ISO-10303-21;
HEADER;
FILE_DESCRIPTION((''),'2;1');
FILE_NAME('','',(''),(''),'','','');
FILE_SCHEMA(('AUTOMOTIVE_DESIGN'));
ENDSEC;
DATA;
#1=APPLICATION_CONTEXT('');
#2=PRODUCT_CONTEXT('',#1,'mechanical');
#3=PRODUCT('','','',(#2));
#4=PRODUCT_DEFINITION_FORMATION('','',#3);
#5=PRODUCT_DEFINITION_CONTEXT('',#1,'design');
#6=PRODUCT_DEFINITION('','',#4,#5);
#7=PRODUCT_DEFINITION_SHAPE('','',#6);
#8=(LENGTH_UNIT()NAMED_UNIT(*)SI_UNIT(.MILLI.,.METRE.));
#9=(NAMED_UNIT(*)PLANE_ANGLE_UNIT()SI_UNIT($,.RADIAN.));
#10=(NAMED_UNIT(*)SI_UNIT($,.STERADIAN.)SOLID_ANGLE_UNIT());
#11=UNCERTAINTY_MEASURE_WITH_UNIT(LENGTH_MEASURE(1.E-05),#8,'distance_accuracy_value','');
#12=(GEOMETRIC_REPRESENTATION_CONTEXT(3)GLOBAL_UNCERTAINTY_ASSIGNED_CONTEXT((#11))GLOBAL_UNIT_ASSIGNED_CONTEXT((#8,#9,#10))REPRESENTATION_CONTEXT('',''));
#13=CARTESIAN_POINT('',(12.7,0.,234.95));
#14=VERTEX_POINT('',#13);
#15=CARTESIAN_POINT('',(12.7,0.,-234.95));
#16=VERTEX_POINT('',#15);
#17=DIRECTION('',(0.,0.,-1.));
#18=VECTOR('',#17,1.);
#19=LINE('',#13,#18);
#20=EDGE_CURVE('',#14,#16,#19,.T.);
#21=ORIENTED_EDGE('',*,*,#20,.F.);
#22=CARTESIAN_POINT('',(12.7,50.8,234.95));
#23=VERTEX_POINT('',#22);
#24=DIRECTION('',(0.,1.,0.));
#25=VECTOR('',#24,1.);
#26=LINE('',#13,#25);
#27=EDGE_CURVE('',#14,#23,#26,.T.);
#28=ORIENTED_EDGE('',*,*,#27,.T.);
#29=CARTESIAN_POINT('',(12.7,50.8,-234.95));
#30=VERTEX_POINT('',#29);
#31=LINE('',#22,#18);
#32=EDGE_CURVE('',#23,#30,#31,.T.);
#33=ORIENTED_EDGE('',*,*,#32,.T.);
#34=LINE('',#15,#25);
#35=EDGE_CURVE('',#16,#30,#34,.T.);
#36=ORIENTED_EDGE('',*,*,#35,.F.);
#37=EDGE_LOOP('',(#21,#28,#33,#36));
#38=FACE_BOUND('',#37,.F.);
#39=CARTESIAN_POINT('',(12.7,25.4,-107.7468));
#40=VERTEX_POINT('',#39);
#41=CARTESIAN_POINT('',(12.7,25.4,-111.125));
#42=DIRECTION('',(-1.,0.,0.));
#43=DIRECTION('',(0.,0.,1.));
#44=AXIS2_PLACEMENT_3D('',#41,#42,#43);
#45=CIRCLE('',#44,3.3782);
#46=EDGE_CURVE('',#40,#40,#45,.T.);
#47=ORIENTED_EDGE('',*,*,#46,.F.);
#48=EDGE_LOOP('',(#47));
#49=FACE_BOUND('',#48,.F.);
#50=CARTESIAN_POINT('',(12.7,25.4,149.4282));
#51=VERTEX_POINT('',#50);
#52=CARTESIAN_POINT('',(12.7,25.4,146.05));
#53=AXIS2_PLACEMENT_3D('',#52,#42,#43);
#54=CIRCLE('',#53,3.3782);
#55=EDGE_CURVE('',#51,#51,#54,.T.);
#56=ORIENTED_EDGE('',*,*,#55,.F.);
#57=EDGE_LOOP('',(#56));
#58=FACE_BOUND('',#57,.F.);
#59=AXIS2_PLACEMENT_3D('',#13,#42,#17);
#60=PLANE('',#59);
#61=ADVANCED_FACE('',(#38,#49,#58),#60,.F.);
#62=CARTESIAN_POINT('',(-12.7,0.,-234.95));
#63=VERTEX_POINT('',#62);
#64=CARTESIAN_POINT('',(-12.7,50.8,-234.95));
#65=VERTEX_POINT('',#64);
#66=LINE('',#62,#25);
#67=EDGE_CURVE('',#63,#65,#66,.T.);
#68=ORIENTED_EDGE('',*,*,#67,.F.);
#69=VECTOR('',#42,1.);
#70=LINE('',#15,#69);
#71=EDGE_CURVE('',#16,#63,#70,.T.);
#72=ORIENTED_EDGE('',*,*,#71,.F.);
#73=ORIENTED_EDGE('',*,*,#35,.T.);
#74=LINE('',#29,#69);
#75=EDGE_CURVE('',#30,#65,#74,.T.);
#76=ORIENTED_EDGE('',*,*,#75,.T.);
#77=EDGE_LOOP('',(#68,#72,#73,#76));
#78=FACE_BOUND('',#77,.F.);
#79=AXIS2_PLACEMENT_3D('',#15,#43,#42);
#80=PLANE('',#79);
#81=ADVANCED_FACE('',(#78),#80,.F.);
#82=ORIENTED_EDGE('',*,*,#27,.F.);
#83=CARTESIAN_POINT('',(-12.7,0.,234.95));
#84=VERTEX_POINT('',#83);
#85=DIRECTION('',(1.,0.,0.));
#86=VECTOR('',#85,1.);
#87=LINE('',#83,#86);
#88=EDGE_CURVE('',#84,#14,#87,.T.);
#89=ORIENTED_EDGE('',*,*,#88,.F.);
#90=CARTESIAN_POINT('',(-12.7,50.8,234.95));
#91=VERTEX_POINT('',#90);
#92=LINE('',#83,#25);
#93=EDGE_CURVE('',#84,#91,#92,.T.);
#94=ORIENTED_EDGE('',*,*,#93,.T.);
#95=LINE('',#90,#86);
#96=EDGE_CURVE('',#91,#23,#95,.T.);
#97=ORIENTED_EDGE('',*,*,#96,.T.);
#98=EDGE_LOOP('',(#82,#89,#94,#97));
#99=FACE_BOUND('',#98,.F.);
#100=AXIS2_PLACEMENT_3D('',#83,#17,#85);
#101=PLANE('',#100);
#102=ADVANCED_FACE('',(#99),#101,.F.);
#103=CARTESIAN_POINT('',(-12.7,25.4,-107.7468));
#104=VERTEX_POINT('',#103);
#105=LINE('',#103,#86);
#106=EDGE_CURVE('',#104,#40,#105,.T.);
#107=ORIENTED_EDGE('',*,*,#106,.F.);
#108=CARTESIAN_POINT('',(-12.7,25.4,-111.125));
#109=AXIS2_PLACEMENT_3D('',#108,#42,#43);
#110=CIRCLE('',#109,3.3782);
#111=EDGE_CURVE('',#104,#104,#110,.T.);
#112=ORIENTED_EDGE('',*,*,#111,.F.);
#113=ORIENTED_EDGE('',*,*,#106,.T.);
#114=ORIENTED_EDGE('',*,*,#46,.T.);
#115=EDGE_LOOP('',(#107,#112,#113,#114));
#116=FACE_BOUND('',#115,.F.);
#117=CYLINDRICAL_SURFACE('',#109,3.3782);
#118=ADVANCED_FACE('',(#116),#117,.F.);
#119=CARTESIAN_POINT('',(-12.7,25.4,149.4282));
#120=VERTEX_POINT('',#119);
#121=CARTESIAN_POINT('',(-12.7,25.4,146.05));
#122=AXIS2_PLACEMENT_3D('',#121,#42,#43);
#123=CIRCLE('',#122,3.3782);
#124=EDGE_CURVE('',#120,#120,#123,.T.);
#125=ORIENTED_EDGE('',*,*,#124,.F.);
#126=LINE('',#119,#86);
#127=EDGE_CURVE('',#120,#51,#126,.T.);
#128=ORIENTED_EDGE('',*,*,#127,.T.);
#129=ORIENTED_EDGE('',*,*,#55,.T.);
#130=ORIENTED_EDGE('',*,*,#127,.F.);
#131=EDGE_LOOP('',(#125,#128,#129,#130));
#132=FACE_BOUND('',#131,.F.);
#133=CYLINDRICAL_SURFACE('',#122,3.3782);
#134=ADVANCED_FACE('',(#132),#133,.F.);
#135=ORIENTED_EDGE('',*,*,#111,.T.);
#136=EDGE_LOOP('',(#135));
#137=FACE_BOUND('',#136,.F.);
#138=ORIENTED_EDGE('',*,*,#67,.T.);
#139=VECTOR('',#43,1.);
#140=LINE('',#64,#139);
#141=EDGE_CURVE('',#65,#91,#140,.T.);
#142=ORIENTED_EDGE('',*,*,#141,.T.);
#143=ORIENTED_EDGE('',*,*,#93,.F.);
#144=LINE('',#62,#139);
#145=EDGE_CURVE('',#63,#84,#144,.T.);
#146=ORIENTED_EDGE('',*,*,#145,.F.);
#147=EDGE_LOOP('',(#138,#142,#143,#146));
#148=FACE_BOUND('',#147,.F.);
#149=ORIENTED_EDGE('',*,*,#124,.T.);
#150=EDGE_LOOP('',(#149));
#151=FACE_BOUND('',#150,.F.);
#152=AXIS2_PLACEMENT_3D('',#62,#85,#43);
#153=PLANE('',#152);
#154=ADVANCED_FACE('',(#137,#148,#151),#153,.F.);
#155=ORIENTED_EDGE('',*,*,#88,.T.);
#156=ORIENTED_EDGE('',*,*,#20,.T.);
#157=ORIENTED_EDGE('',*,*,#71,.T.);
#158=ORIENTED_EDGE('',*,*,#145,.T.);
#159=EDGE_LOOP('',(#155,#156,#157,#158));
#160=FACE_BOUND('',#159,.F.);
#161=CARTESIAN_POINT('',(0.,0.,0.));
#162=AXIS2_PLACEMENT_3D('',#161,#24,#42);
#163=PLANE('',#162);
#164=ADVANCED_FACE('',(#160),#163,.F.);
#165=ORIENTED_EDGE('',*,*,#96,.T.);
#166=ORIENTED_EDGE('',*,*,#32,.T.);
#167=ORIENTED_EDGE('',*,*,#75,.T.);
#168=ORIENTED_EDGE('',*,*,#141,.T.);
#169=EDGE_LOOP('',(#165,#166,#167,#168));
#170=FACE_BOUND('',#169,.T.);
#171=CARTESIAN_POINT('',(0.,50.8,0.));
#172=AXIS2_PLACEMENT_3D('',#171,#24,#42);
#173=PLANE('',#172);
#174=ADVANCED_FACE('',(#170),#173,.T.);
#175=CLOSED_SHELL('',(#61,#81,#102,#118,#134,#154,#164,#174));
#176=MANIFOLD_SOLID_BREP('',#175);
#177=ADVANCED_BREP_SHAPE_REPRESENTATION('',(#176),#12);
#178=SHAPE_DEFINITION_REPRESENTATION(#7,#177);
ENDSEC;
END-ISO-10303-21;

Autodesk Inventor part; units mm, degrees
ref_plane "YZ Plane" through (0, 0, 0) normal (1, 0, 0) x (0, 1, 0)
ref_plane "XZ Plane" through (0, 0, 0) normal (0, 1, 0) x (-1, 0, 0)
ref_plane "XY Plane" through (0, 0, 0) normal (0, 0, 1) x (1, 0, 0)
sketch "Sketch1" plane through (0, 0, 0) normal (0, 1, 0) x (-1, 0, 0)
  line L0 (12.7, 234.95) -> (-12.7, 234.95)
  line L1 (-12.7, 234.95) -> (-12.7, -234.95)
  line L2 (-12.7, -234.95) -> (12.7, -234.95)
  line L3 (12.7, -234.95) -> (12.7, 234.95)
  line L4 (12.7, 234.95) -> (-12.7, -234.95) construction
  line L5 (-12.7, 234.95) -> (12.7, -234.95) construction
  point P0 (0, 0)
  dimension "d0" = 25.4
  dimension "d1" = 469.9
extrude "Extrusion1" add sketch "Sketch1" along normal blind 50.8
sketch "Sketch5" plane through (-12.7, 0, -234.95) normal (-1, 0, 0) x (0, 0, 1)
  line L0 (0, 0) -> (0, 50.8) projected
  circle A0 centre (123.825, 25.4) radius 3.3782
  circle A1 centre (381, 25.4) radius 3.3782
  line L1 (469.9, 0) -> (469.9, 50.8) projected
  point P0 (234.95, 0)
  dimension "d18" = 257.175
  dimension "d20" = 6.7564
  dimension "d21" = 6.7564
  dimension "d24" = 88.9
extrude "Extrusion2" cut sketch "Sketch5" against normal through all
properties part number "tableSawRunner"
